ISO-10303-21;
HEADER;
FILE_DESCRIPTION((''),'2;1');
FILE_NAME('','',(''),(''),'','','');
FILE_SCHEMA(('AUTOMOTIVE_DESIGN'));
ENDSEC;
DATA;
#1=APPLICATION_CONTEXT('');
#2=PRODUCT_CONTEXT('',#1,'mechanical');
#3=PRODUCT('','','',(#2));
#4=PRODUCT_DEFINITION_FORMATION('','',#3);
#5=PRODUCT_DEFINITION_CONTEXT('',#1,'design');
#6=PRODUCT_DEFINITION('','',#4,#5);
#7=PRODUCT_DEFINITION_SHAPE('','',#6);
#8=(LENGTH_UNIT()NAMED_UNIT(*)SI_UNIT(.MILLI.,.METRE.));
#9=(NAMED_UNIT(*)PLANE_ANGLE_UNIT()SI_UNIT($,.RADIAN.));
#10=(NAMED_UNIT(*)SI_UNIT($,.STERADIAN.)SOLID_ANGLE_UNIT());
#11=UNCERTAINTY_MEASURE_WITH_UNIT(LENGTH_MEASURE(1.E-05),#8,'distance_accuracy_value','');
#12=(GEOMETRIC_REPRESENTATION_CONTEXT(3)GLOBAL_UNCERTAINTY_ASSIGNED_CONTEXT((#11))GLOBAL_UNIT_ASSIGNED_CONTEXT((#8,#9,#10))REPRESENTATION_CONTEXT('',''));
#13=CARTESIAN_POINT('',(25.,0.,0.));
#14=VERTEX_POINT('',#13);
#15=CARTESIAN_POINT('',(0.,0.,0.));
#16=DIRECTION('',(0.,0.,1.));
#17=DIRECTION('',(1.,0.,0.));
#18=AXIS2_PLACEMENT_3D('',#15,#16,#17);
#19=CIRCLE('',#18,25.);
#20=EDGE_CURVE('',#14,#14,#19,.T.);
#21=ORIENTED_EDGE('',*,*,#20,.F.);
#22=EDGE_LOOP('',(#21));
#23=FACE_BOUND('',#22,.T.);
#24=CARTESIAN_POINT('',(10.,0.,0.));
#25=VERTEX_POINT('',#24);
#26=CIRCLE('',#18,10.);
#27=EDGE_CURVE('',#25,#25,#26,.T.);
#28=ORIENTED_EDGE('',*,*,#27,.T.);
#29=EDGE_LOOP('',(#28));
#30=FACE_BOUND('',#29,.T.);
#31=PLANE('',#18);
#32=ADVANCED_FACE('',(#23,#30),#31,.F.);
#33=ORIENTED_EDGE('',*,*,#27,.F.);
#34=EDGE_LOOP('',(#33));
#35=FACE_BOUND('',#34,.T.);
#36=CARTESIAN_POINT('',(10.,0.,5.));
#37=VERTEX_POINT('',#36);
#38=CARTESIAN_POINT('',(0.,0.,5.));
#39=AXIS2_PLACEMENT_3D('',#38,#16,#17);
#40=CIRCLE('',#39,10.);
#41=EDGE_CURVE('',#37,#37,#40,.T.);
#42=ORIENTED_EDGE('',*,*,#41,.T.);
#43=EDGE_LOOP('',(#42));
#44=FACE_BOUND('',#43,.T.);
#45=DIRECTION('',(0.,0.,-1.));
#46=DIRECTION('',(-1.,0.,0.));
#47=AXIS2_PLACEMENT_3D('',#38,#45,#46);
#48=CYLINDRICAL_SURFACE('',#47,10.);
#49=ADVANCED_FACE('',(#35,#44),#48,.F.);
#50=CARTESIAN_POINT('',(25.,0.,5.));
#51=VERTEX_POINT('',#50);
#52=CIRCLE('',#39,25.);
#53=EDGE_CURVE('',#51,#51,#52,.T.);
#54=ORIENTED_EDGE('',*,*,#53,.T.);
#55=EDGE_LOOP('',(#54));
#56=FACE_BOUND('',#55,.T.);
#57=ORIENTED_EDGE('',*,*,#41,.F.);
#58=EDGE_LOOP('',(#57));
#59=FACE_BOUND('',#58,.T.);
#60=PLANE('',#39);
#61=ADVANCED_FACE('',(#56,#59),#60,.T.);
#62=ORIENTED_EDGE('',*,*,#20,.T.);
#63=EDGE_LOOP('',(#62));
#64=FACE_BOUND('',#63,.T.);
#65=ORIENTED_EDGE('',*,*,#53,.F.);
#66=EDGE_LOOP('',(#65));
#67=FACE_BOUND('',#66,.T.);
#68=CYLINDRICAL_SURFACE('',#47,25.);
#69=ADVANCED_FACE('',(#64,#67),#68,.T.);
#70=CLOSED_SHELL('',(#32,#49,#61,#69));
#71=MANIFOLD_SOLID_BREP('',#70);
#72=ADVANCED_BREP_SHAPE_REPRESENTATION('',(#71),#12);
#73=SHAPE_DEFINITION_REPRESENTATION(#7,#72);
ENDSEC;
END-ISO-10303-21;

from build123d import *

# Parameters (mm, degrees)
SCHIZZO1_R                   = 25
SCHIZZO1_R_2                 = 10
ESTRUSIONE_ESTRUSIONE1_DEPTH = 5


with BuildPart() as part:
    # Schizzo1 → Estrusione-Estrusione1 (new body)
    with BuildSketch(Plane.XY):
        Circle(SCHIZZO1_R)
        Circle(SCHIZZO1_R_2, mode=Mode.SUBTRACT)
    extrude(amount=ESTRUSIONE_ESTRUSIONE1_DEPTH)


solid = part.part
